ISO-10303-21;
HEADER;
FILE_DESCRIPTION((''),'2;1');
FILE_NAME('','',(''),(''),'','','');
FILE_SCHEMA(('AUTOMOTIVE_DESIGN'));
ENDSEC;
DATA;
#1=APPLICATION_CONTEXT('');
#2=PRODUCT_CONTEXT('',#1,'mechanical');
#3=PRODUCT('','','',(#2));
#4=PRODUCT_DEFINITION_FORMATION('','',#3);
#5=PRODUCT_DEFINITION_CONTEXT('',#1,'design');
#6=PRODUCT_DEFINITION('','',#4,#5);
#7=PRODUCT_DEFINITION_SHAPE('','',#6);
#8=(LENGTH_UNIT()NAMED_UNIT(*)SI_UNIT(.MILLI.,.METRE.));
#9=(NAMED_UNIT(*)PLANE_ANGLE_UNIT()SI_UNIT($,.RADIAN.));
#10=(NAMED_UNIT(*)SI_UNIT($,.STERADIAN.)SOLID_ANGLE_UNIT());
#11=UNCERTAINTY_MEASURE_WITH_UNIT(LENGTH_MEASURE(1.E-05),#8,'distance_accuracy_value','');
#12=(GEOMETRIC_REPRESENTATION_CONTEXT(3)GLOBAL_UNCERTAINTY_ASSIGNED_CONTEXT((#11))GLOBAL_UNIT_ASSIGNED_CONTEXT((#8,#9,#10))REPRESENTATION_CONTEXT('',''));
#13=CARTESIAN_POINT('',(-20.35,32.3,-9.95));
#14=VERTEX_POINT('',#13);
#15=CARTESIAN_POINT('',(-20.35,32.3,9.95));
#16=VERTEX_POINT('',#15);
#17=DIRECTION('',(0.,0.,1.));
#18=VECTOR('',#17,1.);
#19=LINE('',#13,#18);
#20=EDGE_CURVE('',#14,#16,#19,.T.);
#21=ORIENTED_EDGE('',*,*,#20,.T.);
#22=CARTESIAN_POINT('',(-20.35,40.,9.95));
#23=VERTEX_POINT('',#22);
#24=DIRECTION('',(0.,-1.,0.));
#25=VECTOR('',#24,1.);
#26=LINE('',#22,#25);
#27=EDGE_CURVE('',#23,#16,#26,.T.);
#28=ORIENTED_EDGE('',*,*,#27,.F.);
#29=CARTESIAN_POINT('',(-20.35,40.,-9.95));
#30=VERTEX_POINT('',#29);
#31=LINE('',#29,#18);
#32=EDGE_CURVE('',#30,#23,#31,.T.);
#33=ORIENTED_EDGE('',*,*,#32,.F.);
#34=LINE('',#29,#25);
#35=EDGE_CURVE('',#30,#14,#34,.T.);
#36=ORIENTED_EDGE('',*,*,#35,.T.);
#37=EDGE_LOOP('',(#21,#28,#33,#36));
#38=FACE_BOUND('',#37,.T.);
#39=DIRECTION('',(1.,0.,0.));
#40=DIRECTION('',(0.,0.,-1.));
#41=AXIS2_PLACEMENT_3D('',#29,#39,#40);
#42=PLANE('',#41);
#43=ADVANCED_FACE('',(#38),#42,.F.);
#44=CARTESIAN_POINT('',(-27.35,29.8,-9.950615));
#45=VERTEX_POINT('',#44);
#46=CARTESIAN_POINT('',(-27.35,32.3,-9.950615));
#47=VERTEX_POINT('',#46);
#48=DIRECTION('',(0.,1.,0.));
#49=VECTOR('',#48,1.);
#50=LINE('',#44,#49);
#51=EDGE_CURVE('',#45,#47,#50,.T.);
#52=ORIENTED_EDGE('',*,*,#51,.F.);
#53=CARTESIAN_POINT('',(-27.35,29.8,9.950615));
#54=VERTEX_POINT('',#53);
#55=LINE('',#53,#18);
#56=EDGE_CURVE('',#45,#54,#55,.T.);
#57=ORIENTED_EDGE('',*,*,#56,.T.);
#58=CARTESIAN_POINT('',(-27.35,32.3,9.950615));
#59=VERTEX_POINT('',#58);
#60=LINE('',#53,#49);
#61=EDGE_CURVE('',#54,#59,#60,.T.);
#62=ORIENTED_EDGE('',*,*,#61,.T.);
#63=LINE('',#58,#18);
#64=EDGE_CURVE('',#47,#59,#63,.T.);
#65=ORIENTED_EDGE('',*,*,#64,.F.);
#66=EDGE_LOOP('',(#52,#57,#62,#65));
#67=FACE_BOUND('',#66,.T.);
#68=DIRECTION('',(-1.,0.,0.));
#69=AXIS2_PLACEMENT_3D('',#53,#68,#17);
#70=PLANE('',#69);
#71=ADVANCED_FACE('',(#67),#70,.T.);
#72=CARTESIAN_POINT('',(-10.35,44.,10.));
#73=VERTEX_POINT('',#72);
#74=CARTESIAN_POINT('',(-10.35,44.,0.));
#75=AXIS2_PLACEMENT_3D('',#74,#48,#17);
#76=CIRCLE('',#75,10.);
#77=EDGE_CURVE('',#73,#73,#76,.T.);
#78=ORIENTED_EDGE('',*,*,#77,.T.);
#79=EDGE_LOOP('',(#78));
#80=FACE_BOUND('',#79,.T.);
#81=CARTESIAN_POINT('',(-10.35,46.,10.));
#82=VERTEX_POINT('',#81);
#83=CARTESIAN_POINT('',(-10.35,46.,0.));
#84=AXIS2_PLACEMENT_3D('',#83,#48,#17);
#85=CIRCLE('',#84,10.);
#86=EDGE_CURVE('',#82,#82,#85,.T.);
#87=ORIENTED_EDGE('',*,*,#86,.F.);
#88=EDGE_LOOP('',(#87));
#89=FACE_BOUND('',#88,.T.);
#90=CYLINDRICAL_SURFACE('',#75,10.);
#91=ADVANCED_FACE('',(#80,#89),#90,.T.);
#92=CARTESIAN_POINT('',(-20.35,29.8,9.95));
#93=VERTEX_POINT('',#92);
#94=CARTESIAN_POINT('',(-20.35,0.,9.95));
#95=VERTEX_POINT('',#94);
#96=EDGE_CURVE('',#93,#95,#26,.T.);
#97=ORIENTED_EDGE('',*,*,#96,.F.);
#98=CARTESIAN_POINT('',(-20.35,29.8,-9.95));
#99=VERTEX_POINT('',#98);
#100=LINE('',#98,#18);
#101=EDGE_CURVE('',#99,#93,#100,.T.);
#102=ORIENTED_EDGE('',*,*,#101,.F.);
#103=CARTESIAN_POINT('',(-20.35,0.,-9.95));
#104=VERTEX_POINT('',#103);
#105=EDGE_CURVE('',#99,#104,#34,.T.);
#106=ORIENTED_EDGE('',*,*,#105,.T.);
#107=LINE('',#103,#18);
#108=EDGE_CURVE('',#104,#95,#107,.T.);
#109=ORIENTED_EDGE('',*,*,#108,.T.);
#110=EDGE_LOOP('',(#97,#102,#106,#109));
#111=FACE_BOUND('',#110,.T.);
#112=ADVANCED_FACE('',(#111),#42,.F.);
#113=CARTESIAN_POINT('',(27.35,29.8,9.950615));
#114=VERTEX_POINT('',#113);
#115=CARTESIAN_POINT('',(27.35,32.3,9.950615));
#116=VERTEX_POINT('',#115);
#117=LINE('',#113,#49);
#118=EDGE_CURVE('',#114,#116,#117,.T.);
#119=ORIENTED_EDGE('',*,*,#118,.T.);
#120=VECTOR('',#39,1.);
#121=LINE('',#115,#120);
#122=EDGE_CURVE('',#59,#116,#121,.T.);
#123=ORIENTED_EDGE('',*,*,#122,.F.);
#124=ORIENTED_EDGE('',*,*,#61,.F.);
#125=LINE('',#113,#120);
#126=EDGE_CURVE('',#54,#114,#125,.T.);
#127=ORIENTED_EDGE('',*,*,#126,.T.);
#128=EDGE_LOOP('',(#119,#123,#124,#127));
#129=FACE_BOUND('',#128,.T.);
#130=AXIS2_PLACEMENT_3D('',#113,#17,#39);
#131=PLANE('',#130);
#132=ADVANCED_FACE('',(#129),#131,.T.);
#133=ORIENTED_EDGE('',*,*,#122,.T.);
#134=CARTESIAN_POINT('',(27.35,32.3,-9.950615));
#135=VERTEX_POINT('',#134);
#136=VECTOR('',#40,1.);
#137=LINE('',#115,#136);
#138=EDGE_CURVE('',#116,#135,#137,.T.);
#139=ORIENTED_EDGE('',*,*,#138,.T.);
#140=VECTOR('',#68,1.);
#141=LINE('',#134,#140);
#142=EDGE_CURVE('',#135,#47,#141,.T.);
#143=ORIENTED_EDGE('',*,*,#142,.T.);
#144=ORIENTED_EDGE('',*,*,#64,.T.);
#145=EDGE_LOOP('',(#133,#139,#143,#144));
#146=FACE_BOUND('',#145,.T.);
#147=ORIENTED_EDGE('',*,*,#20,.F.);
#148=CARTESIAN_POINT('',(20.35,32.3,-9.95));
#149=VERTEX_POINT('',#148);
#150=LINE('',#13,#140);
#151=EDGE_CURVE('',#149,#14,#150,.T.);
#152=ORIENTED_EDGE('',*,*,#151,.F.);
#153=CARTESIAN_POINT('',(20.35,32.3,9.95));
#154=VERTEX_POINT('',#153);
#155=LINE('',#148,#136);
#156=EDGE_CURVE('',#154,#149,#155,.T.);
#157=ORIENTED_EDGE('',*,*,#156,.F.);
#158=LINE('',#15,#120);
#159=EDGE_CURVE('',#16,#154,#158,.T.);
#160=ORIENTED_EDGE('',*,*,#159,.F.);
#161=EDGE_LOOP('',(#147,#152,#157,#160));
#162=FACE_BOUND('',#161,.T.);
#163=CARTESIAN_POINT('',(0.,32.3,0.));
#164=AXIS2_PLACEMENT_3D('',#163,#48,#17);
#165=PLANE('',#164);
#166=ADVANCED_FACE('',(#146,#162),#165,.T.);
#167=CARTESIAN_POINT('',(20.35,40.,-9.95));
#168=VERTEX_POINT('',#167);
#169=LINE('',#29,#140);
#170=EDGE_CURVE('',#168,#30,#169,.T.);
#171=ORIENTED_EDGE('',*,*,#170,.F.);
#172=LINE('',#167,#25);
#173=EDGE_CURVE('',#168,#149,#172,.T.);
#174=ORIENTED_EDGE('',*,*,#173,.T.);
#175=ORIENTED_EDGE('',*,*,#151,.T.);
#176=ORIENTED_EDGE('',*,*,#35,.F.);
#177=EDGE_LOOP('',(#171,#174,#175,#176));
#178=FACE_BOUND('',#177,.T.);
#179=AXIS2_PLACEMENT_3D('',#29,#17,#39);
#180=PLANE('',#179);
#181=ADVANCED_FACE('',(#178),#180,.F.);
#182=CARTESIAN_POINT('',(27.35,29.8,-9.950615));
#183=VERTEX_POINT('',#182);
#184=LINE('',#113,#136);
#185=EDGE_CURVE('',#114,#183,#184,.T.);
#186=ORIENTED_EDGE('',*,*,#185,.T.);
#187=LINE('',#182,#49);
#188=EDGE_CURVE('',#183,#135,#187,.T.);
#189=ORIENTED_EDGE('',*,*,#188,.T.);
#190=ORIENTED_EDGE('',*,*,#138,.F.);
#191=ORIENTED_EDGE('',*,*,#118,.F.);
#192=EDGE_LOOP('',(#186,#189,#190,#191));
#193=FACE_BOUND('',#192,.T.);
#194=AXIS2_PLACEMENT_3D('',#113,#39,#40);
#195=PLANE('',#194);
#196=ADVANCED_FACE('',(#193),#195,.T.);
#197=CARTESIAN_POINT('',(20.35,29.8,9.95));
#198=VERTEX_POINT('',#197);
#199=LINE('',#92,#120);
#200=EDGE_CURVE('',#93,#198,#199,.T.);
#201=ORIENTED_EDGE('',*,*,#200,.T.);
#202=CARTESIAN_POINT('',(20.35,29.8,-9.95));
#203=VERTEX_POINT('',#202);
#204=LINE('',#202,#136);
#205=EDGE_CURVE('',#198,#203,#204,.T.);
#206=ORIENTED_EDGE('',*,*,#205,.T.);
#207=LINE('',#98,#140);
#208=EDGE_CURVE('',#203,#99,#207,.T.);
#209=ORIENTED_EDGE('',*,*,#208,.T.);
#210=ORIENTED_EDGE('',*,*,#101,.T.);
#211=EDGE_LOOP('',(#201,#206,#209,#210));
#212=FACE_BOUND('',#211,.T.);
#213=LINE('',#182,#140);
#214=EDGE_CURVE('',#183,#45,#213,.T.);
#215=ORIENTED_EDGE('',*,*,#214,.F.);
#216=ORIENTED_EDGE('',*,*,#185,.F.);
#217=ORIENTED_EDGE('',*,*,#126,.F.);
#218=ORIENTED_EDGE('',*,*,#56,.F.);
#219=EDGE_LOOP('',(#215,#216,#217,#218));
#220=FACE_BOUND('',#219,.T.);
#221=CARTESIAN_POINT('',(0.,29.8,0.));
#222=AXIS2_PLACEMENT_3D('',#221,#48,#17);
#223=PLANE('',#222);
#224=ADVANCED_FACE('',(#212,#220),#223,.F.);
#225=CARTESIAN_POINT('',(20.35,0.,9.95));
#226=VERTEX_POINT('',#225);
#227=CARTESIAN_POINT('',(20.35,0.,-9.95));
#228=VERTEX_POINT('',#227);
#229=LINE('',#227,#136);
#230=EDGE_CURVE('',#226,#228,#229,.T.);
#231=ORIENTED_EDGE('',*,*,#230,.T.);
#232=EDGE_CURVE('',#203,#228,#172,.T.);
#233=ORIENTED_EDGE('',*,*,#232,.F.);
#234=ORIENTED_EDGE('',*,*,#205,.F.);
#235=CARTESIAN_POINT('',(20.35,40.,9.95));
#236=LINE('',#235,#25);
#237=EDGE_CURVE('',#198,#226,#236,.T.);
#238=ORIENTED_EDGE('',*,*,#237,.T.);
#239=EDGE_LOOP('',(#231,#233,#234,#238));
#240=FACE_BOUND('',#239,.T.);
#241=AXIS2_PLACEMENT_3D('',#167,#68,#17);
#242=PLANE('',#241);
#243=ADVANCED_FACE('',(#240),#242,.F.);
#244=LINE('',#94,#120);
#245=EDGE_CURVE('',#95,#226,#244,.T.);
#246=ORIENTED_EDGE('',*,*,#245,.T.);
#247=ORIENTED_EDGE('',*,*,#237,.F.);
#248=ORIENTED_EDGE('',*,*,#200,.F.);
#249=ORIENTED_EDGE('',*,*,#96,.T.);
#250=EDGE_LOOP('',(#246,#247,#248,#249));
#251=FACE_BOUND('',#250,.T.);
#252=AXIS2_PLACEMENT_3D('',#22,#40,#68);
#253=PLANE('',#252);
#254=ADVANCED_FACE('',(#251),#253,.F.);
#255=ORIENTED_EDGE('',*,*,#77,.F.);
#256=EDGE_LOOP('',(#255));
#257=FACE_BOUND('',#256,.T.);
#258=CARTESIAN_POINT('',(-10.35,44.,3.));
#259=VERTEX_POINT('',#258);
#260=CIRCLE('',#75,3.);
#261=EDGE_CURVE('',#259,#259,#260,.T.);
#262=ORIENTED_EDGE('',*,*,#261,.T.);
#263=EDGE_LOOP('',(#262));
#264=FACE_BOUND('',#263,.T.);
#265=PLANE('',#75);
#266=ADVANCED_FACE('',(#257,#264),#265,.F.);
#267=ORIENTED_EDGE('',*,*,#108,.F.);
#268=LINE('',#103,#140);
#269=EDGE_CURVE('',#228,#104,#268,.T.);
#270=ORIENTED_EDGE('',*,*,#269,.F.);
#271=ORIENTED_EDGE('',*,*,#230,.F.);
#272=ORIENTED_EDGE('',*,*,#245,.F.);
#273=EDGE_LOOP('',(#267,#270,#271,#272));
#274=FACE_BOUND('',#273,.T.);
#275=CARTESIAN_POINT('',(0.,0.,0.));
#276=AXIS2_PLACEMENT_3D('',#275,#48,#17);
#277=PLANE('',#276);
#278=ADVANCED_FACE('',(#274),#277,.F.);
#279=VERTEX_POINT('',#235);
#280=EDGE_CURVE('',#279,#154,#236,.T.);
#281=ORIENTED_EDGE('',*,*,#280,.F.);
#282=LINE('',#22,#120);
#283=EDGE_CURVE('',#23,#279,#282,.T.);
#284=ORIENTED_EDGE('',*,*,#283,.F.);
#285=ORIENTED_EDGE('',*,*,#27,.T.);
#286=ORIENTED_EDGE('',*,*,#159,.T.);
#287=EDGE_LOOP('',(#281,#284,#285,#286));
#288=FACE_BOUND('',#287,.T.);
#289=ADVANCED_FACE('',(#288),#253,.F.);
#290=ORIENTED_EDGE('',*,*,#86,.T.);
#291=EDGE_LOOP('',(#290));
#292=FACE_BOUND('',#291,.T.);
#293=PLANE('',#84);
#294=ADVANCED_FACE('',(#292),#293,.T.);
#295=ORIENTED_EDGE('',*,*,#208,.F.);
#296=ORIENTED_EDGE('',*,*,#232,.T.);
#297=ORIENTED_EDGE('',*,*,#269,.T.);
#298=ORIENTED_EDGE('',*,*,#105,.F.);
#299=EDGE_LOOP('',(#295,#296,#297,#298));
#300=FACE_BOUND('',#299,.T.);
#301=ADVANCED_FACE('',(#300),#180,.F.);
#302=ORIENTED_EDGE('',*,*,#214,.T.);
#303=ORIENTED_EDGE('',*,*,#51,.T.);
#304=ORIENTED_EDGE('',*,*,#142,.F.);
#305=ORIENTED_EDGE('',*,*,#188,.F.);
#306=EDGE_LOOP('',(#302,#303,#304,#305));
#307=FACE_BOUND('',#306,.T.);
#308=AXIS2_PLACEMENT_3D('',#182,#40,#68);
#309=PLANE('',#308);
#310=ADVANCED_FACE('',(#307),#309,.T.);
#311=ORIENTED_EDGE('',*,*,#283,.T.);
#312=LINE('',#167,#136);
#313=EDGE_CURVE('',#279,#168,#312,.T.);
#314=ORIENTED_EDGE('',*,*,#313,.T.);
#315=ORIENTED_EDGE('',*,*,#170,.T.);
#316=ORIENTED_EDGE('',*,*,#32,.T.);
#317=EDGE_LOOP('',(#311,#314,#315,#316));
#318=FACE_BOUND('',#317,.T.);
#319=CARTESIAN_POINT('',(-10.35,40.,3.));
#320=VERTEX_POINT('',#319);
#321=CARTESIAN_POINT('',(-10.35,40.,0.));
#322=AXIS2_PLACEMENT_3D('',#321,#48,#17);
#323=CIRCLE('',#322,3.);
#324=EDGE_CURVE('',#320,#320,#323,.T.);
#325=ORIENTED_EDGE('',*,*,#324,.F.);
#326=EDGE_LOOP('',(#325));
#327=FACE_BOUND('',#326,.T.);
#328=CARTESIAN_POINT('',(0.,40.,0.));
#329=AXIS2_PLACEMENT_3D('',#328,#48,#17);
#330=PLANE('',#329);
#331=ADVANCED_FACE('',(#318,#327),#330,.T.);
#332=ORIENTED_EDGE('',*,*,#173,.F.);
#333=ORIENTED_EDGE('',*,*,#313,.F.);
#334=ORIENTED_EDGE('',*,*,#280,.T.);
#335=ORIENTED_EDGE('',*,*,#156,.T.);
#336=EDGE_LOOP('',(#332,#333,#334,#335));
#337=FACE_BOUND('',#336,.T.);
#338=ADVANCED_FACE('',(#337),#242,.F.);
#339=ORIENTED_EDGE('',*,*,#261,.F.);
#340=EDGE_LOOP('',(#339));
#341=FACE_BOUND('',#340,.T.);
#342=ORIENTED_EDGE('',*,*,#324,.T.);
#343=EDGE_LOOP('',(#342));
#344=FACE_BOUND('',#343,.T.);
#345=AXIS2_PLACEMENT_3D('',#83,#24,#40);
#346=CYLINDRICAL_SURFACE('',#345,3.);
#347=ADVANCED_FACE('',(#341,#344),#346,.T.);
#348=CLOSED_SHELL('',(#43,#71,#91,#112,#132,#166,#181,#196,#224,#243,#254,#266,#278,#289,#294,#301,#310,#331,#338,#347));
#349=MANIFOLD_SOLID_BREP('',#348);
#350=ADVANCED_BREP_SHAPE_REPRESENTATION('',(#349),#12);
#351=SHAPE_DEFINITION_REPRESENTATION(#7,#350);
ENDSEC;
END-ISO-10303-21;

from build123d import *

# Parameters (mm, degrees)
SKETCH_1_W      = 40.7
SKETCH_1_H      = 19.9
EXTRUDE_1_DEPTH = 40
SKETCH_2_R      = 3
EXTRUDE_2_DEPTH = 6
EXTRUDE_START   = -7.7
SKETCH_3_W      = 54.7
SKETCH_3_H      = 19.901230414
EXTRUDE_3_DEPTH = 2.5
SKETCH_4_R      = 10
EXTRUDE_4_DEPTH = 2


with BuildPart() as part:
    # 스케치1 → 보스-돌출1 (new body)
    with BuildSketch(Plane(origin=(0, 0, 0), x_dir=(1, 0, 0), z_dir=(0, 1, 0))):
        Rectangle(SKETCH_1_W, SKETCH_1_H)
    extrude(amount=EXTRUDE_1_DEPTH)

    # 스케치2 → 보스-돌출2 (add)
    with BuildSketch(Plane(origin=(0, 40, 0), x_dir=(1, 0, 0), z_dir=(0, 1, 0))):
        with Locations(Location((-10.35, 0, 0), (0, 0, 270))):
            Circle(SKETCH_2_R)
    extrude(amount=EXTRUDE_2_DEPTH)

    # 스케치3 → 보스-돌출3 (add)
    with BuildSketch(Plane(origin=(0, 40, 0), x_dir=(1, 0, 0), z_dir=(0, 1, 0)).offset(EXTRUDE_START)):
        Rectangle(SKETCH_3_W, SKETCH_3_H)
    extrude(amount=-EXTRUDE_3_DEPTH)

    # 스케치4 → 보스-돌출4 (add)
    with BuildSketch(Plane(origin=(0, 46, 0), x_dir=(1, 0, 0), z_dir=(0, 1, 0))):
        with Locations(Location((-10.35, 0, 0), (0, 0, 270))):
            Circle(SKETCH_4_R)
    extrude(amount=-EXTRUDE_4_DEPTH)


solid = part.part
